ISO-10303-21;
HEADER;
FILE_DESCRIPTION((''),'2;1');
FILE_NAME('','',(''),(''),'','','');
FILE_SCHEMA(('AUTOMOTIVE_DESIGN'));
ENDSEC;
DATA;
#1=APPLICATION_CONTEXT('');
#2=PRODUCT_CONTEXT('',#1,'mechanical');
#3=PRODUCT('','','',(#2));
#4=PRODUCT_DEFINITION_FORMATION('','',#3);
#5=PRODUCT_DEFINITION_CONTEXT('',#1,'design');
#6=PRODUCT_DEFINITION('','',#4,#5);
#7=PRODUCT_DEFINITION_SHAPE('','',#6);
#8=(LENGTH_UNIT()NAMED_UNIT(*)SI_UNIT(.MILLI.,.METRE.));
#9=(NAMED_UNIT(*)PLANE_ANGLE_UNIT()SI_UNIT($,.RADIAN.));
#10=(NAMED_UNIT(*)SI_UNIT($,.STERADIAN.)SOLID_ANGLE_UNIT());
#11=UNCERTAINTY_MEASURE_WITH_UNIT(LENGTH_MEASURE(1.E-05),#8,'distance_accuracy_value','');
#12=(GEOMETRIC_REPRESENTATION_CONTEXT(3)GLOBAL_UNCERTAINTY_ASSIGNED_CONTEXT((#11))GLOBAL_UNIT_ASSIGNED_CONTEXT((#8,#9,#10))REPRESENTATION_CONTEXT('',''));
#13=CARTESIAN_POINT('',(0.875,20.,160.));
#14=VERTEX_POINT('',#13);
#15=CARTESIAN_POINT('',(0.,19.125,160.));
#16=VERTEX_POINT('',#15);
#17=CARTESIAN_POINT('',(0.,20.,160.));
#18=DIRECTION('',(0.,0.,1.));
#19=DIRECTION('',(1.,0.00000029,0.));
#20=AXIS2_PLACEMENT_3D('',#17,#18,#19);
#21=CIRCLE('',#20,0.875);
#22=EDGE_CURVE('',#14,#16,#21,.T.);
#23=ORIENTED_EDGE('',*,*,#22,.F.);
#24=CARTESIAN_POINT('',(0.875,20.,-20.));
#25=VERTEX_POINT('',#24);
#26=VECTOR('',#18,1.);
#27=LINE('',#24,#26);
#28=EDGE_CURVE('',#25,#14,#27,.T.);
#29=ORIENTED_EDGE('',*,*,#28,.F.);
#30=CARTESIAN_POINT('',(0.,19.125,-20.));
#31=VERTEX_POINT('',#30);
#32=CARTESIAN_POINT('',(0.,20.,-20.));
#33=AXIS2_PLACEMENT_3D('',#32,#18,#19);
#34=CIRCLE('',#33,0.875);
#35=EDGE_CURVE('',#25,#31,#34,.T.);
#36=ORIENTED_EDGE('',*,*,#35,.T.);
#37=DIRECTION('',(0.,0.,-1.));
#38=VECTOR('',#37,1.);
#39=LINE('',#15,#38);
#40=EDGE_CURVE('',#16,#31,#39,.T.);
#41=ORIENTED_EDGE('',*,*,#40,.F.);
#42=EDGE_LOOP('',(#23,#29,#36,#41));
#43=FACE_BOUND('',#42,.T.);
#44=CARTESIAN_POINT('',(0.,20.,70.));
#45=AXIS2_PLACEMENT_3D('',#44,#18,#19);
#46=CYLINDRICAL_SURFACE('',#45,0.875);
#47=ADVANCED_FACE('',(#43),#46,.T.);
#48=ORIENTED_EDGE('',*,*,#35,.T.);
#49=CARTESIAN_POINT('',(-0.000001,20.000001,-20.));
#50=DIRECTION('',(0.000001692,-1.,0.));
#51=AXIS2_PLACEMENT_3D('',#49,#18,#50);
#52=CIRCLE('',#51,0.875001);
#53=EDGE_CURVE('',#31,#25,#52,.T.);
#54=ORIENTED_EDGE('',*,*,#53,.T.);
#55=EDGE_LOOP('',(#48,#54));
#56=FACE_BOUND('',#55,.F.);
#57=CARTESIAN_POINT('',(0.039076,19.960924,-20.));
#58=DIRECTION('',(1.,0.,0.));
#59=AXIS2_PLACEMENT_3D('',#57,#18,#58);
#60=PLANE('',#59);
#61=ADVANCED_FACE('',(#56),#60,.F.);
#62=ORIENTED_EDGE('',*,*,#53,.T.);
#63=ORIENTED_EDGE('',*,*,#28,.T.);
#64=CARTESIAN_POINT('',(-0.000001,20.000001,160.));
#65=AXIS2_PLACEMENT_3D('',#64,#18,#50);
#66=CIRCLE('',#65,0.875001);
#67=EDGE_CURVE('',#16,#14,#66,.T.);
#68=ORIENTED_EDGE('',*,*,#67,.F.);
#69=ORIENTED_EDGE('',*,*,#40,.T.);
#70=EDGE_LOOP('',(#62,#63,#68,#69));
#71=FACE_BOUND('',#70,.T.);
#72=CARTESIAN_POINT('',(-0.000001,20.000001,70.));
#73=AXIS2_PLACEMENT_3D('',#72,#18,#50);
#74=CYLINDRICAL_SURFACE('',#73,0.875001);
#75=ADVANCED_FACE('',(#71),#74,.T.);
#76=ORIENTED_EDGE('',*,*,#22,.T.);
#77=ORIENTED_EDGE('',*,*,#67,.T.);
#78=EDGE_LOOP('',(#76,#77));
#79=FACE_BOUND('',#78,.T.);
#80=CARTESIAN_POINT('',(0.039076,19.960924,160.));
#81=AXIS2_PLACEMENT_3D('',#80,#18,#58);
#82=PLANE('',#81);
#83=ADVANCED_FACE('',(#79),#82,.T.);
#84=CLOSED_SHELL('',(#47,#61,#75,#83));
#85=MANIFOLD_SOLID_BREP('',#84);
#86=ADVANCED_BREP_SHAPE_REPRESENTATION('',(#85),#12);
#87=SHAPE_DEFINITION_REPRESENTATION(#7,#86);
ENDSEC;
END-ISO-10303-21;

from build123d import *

# Parameters (mm, degrees)
F4_DEPTH = 90


with BuildPart() as f4:
    # F3 (on offset) → F4 (new body, symmetric)
    with BuildSketch(Plane.XY.offset(70)):
        with BuildLine():
            ThreePointArc((0, 19.125), (0.618718, 19.381282), (0.875, 20))
            ThreePointArc((0.875, 20), (-0.618718, 20.618718), (0, 19.125))
        make_face()
    extrude(amount=F4_DEPTH, both=True)


solid = f4.part
